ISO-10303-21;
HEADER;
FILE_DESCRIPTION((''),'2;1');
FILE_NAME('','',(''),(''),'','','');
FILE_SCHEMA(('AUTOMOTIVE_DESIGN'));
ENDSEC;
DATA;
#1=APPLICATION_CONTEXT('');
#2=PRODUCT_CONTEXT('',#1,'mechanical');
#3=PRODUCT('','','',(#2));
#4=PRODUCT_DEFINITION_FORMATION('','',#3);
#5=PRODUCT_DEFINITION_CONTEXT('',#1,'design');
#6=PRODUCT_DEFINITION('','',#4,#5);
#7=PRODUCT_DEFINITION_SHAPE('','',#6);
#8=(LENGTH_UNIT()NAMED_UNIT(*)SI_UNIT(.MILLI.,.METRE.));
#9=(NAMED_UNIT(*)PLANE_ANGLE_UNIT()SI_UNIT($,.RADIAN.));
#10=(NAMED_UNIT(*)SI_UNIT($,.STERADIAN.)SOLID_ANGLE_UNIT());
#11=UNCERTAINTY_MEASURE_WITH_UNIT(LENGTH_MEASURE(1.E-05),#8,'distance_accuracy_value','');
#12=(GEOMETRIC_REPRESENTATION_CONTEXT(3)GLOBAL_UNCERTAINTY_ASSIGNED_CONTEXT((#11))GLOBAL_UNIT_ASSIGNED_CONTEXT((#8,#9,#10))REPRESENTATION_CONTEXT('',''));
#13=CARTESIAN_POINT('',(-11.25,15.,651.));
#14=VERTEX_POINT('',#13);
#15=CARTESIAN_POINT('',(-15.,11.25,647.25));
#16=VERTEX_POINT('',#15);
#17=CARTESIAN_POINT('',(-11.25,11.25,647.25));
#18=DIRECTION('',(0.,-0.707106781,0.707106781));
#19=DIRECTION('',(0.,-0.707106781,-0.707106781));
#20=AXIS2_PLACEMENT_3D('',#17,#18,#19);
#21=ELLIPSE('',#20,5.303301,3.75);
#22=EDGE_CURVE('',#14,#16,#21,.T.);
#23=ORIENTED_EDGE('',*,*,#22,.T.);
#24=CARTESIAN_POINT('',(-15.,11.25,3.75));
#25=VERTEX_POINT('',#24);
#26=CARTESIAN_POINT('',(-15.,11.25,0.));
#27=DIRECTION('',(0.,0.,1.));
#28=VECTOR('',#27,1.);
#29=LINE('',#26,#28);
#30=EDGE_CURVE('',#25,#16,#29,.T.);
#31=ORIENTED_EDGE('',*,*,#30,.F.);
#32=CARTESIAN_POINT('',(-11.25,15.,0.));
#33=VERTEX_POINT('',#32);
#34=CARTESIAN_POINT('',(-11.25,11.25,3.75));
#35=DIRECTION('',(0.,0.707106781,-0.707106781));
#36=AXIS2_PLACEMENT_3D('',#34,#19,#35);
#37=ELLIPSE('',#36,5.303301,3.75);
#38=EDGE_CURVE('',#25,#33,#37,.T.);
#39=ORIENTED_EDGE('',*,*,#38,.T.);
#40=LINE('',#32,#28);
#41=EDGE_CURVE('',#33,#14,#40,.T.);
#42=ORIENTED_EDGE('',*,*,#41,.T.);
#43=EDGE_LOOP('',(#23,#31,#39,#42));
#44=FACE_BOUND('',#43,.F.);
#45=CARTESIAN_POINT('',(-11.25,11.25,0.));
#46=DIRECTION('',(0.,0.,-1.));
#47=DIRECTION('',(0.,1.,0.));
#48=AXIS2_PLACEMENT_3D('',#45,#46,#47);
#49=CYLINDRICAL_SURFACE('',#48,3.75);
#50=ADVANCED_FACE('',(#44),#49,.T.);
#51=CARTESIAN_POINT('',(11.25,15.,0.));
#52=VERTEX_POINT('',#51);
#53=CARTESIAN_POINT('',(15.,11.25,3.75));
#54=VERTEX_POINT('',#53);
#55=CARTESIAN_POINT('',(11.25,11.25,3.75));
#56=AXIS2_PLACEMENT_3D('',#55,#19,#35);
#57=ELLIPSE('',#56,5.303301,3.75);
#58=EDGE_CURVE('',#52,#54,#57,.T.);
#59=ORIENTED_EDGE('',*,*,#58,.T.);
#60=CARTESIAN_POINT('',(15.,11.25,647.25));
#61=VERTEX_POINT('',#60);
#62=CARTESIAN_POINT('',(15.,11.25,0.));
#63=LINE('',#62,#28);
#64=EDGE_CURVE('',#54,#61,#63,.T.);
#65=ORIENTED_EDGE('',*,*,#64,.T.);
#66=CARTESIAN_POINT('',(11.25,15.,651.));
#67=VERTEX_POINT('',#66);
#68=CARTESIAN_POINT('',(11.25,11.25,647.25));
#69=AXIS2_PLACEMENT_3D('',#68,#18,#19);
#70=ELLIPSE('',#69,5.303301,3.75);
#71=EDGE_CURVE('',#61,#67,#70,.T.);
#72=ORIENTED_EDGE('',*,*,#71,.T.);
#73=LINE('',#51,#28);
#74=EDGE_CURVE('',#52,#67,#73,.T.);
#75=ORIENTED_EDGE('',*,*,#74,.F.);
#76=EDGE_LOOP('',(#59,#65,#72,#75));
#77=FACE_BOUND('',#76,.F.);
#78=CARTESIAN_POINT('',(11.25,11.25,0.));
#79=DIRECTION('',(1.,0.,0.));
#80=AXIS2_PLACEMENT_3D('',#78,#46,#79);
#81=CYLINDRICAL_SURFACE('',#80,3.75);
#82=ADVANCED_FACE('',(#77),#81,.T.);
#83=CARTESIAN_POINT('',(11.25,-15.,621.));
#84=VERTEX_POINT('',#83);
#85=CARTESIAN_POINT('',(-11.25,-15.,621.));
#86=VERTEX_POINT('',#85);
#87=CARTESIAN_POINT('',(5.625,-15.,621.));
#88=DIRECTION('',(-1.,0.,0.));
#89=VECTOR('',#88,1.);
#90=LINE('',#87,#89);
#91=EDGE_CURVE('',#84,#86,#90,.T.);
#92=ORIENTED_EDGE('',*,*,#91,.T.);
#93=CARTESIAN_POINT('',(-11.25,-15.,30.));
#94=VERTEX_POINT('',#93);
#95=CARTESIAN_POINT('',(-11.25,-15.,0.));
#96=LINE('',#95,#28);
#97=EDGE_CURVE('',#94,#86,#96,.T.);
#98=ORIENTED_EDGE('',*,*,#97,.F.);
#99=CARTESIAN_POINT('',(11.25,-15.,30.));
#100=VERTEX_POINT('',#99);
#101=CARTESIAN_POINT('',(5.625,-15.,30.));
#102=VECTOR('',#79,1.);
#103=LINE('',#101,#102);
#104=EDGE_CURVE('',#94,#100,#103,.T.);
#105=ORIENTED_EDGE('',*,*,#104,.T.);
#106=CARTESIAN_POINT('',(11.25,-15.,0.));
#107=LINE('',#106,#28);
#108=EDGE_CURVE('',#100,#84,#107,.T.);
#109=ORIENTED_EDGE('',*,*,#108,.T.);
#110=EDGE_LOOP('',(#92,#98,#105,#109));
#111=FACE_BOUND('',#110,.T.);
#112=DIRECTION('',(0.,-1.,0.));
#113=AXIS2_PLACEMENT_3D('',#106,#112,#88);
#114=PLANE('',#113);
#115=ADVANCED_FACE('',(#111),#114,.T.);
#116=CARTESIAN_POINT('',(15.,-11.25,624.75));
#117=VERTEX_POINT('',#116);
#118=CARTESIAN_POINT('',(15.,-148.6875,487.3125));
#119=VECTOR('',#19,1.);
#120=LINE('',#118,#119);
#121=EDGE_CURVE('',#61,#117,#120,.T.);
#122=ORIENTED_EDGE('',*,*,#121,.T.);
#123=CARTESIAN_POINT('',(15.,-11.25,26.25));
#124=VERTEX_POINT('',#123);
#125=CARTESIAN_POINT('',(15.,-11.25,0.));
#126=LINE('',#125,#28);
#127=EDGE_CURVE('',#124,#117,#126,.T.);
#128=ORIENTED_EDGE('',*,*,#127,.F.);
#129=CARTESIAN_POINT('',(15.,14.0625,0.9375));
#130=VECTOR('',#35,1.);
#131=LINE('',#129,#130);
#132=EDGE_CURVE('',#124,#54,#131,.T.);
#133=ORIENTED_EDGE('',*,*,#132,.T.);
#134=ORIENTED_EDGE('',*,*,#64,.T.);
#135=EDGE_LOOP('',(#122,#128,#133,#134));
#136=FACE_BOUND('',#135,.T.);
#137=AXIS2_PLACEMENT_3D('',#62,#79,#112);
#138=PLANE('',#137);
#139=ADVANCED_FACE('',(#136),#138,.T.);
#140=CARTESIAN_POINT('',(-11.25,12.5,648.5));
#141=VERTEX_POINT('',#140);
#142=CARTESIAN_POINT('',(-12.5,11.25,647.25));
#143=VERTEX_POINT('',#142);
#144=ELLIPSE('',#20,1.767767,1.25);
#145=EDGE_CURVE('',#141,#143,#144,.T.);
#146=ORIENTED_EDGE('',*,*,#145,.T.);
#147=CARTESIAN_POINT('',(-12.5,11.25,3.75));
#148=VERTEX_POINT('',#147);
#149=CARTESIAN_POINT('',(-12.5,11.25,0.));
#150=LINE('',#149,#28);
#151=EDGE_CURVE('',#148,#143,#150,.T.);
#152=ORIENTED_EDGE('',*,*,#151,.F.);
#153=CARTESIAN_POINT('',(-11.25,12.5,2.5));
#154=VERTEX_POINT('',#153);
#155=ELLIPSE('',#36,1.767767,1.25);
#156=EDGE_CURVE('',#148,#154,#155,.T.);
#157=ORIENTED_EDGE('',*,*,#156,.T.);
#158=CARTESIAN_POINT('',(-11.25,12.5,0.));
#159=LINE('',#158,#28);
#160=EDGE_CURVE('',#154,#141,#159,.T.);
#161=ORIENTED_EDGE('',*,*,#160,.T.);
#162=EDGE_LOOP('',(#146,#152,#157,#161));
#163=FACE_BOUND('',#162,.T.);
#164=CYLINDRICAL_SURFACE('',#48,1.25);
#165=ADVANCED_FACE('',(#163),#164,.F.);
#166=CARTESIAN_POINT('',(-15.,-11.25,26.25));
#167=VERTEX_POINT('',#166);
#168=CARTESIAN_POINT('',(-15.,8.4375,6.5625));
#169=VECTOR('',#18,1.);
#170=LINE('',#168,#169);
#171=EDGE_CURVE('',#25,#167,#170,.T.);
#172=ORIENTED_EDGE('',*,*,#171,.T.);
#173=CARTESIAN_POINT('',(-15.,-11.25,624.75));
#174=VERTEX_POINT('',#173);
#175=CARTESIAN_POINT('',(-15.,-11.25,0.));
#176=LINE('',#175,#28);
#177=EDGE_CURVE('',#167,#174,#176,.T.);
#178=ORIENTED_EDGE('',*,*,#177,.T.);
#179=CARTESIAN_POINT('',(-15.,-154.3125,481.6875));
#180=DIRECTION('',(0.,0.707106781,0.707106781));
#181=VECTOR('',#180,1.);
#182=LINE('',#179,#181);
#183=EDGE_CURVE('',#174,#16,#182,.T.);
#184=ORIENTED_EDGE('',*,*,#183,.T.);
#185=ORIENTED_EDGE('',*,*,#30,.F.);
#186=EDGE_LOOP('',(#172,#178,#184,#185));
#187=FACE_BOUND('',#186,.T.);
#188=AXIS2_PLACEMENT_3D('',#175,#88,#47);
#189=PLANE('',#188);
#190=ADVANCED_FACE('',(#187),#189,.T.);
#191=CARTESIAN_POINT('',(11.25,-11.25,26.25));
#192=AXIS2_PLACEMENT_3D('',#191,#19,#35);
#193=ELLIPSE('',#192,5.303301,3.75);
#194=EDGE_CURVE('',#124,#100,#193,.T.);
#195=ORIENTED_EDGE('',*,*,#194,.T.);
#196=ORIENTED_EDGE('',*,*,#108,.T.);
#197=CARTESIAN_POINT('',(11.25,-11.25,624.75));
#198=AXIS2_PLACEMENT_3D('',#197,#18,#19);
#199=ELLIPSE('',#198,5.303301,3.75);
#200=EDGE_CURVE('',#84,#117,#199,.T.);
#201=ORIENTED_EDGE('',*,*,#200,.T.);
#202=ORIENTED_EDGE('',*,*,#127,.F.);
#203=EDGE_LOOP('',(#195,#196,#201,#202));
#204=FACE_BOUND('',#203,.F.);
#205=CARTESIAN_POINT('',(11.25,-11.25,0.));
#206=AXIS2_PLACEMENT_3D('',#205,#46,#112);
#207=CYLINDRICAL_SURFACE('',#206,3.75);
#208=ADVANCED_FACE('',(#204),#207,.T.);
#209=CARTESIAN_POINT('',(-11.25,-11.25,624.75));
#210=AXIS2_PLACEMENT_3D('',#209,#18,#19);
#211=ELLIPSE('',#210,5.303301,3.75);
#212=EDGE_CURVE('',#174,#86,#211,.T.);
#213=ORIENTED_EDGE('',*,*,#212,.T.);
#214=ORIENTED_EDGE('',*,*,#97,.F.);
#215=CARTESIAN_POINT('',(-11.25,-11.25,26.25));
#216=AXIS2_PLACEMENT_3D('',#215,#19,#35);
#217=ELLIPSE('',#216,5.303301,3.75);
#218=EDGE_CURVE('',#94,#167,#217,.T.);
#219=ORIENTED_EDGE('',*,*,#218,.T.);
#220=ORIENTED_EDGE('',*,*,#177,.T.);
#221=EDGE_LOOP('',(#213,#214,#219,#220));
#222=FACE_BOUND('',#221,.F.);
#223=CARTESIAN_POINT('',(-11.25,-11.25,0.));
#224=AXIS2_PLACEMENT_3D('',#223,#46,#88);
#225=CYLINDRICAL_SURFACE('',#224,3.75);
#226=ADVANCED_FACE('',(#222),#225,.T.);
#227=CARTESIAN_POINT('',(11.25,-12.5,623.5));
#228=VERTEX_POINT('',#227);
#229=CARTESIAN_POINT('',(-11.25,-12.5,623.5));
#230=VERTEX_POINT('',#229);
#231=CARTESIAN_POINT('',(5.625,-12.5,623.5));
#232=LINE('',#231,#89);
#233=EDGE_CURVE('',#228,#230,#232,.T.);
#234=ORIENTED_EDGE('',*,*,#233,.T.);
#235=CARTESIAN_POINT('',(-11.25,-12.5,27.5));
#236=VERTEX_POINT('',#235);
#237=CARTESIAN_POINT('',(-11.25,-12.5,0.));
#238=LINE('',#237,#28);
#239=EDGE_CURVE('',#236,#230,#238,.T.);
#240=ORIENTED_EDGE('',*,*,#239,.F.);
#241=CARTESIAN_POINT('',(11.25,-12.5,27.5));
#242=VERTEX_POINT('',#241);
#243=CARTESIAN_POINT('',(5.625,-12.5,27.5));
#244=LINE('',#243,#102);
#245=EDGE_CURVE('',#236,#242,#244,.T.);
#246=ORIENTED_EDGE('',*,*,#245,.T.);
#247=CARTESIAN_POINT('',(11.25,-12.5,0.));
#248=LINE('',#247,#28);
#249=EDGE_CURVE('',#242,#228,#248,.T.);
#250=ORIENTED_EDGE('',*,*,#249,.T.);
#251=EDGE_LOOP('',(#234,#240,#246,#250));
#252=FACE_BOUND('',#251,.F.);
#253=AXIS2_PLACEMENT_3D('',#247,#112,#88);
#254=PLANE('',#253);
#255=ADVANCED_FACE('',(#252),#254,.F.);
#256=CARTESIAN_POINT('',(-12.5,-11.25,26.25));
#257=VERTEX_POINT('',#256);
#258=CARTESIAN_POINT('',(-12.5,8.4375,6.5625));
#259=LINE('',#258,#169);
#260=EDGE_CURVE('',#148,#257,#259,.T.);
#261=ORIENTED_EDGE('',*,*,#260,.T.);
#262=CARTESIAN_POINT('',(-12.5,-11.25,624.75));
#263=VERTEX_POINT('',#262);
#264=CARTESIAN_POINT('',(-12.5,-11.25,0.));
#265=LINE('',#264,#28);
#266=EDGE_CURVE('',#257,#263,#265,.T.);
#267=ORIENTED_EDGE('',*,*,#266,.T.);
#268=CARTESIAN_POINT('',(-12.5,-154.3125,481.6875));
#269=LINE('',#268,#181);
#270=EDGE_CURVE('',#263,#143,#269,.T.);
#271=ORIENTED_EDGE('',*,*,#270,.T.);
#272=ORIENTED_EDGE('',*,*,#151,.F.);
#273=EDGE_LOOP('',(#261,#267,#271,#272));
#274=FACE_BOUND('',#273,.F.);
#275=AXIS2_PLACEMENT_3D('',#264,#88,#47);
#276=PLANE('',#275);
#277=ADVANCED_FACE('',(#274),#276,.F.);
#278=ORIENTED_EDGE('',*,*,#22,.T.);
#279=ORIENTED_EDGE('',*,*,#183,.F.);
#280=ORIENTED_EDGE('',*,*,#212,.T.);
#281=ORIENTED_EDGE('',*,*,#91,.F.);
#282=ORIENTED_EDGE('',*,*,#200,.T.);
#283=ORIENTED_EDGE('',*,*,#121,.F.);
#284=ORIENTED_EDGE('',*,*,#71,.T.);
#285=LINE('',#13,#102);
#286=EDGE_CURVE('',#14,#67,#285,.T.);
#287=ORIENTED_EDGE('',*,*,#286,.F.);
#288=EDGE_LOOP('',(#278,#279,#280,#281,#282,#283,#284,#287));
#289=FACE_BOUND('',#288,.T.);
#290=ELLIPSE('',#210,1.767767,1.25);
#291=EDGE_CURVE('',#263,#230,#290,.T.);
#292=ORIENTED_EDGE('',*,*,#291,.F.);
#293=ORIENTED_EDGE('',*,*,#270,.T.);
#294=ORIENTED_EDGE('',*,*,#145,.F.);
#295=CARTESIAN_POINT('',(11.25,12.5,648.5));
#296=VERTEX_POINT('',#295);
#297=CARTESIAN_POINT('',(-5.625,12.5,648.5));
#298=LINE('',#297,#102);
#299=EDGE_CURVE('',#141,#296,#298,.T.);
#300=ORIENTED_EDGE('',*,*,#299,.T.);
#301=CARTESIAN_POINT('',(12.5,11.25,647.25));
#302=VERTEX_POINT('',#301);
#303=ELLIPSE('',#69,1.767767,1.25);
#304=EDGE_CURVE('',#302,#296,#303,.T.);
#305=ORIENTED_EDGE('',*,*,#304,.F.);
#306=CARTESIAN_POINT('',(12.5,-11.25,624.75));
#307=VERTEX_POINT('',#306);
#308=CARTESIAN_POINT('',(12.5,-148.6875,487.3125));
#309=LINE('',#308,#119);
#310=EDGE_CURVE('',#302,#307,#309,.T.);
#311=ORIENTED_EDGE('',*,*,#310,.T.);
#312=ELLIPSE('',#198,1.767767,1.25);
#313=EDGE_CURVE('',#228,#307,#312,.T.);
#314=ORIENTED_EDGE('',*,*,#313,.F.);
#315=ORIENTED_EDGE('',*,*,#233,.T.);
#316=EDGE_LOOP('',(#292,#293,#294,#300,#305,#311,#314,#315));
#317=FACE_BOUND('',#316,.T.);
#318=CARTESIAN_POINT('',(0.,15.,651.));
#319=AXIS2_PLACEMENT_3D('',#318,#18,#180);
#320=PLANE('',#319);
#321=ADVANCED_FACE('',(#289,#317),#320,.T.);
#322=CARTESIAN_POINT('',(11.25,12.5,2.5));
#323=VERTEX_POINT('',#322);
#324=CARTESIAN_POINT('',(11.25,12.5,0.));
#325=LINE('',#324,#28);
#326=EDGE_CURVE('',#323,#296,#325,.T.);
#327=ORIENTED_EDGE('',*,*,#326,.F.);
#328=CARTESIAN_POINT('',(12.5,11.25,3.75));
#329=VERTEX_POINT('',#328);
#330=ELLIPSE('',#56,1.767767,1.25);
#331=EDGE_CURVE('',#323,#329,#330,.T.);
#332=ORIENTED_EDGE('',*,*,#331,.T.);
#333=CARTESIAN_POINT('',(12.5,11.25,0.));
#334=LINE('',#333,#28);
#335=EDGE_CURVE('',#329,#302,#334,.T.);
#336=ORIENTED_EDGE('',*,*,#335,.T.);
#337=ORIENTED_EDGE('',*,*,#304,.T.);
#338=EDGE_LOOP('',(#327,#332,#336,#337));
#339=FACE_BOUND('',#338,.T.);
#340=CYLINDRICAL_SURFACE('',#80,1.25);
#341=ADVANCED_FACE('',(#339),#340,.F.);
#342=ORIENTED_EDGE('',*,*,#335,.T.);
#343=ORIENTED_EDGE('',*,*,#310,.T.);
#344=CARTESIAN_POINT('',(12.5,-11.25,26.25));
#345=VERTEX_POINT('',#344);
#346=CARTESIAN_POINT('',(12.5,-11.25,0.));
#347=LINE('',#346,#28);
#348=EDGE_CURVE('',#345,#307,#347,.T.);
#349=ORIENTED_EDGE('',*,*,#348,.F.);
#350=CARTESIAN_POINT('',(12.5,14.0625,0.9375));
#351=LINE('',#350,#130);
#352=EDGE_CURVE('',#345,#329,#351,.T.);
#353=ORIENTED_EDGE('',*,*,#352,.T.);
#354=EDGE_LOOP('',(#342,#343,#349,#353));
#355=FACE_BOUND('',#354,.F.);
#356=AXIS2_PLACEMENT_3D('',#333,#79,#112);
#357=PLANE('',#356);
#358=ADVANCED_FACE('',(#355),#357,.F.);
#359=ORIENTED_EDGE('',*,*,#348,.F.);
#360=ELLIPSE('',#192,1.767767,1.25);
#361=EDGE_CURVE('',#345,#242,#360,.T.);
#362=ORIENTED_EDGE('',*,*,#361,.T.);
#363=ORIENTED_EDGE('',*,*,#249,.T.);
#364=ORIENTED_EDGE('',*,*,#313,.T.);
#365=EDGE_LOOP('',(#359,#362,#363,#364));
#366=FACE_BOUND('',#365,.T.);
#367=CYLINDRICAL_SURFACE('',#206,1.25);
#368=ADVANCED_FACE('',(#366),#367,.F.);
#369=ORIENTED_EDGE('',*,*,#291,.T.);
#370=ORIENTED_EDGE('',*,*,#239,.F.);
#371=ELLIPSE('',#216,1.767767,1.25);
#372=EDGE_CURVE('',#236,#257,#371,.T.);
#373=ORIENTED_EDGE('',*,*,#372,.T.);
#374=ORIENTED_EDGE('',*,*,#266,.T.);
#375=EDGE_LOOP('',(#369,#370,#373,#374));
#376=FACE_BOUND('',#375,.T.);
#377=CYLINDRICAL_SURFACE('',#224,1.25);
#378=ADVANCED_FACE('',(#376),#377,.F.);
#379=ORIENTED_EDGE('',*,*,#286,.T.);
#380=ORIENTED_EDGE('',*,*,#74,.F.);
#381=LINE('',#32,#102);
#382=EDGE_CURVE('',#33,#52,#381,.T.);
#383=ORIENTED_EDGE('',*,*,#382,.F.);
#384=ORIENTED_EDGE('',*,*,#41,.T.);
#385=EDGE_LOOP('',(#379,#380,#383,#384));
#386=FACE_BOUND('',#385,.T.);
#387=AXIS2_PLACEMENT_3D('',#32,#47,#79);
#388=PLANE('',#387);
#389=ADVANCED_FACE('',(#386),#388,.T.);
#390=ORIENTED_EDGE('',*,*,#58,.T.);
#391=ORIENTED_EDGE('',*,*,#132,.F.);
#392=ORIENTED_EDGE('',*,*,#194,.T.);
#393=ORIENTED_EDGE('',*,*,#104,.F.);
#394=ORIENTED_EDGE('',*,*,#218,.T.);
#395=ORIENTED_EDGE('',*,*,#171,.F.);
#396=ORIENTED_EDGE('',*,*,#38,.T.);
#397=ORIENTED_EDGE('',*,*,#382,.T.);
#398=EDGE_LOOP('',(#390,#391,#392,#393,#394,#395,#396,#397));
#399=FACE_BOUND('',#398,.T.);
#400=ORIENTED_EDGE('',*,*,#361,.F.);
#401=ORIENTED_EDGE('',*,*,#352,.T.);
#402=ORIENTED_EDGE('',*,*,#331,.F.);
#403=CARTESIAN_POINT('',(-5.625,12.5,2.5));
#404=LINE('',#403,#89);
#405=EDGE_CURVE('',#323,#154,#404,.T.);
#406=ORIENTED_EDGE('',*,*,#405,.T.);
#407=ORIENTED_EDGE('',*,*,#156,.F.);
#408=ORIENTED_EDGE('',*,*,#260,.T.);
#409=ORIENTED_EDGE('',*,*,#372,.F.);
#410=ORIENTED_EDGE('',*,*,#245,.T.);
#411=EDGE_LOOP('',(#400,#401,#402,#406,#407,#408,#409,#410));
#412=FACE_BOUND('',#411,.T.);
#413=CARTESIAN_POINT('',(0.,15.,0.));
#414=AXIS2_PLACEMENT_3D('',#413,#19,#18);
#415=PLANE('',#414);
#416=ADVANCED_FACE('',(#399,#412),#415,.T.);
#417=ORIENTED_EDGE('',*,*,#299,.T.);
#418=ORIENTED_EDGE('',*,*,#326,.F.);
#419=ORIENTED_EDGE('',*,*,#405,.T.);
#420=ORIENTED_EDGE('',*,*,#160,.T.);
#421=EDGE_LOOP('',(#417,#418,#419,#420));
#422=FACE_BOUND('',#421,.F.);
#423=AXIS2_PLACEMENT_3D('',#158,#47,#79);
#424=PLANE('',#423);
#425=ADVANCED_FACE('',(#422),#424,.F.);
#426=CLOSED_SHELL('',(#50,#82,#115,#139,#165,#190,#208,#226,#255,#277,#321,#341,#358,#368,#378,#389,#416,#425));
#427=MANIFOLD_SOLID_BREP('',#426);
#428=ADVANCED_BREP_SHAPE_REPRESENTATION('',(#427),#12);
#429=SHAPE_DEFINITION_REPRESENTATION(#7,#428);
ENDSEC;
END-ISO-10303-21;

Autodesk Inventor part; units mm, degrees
ref_plane "Start plane" through (0, 0, 0) normal (0, 0, 1) x (1, 0, 0)
ref_plane "End plane" through (0, 0, 651) normal (0, 0, 1) x (1, 0, 0)
sketch "Sketch" plane through (0, 0, 0) normal (0, 0, 1) x (1, 0, 0)
  line L0 (-15, -11.25) -> (-15, 11.25)
  line L1 (-11.25, 15) -> (11.25, 15)
  line L2 (15, 11.25) -> (15, -11.25)
  line L3 (11.25, -15) -> (-11.25, -15)
  arc A0 (-15, -11.25) -> (-11.25, -15) centre (-11.25, -11.25) ccw
  arc A1 (-11.25, 15) -> (-15, 11.25) centre (-11.25, 11.25) ccw
  arc A2 (15, 11.25) -> (11.25, 15) centre (11.25, 11.25) ccw
  arc A3 (11.25, -15) -> (15, -11.25) centre (11.25, -11.25) ccw
  arc A4 (-11.25, 12.5) -> (-12.5, 11.25) centre (-11.25, 11.25) ccw
  line L4 (-11.25, 12.5) -> (11.25, 12.5)
  arc A5 (12.5, 11.25) -> (11.25, 12.5) centre (11.25, 11.25) ccw
  line L5 (12.5, 11.25) -> (12.5, -11.25)
  arc A6 (11.25, -12.5) -> (12.5, -11.25) centre (11.25, -11.25) ccw
  line L6 (11.25, -12.5) -> (-11.25, -12.5)
  arc A7 (-12.5, -11.25) -> (-11.25, -12.5) centre (-11.25, -11.25) ccw
  line L7 (-12.5, -11.25) -> (-12.5, 11.25)
  line L8 (0, 22.0873) -> (0, -22.0873) construction
  line L9 (-22.0873, 0) -> (22.0873, 0) construction
  dimension "d7" = 3.75
  dimension "d10" = 30
  dimension "d11" = 30
  dimension "d12" = 2.5
  dimension "d15" = 15
  dimension "d16" = 15
extrude "Body" add sketch "Sketch" along normal up to surface (651 mm away) from surface at 0
sketch "Sketch3" plane through (0, 0, 0) normal (0, 0, 1) x (1, 0, 0)
  line L0 (0, 0) -> (10, 0)
ref_plane "Work Plane3" through (0, 0, 0) normal (0, -1, 0) x (1, 0, 0)
sketch "Sketch4" plane through (0, 0, 0) normal (0, -1, 0) x (1, 0, 0)
  line L0 (-2, 0) -> (12, 0)
  line L1 (-2, 651) -> (12, 651)
  dimension "d18" = 651
ref_plane "Work Plane5" through (0, 15, 651) normal (0, -0.7071, 0.7071) x (1, 0, 0)
split "Split2" plane through (0, 15, 651) removes the side toward (0, -0.7071, 0.7071)
ref_plane "Work Plane6" through (0, 15, 0) normal (0, -0.7071, -0.7071) x (1, 0, 0)
split "Split3" plane through (0, 15, 0) removes the side toward (0, -0.7071, -0.7071)
equation "\"d7\" = G_IR"
equation "\"d10\" = G_H"
equation "\"d11\" = G_W"
equation "\"d12\" = G_T"
equation "\"d15\" = 0.5 * d10"
equation "\"d16\" = 0.5 * d11"
equation "\"d3\" = G_L"
equation "\"G_W\" = 30"
equation "\"G_H\" = 30"
equation "\"G_T\" = 2.5"
equation "\"G_IR\" = 3.75"
equation "\"G_L\" = d18"
equation "\"G_OFFSET_START\" = 0"
equation "\"G_OFFSET_END\" = 0"
equation "\"d14\" = G_OFFSET_END + B_L"
equation "\"B_L\" = 651"
properties part number "DIN EN 10305-5 - 30 x 30 x 2,5  - 651" material "Steel, Mild"
